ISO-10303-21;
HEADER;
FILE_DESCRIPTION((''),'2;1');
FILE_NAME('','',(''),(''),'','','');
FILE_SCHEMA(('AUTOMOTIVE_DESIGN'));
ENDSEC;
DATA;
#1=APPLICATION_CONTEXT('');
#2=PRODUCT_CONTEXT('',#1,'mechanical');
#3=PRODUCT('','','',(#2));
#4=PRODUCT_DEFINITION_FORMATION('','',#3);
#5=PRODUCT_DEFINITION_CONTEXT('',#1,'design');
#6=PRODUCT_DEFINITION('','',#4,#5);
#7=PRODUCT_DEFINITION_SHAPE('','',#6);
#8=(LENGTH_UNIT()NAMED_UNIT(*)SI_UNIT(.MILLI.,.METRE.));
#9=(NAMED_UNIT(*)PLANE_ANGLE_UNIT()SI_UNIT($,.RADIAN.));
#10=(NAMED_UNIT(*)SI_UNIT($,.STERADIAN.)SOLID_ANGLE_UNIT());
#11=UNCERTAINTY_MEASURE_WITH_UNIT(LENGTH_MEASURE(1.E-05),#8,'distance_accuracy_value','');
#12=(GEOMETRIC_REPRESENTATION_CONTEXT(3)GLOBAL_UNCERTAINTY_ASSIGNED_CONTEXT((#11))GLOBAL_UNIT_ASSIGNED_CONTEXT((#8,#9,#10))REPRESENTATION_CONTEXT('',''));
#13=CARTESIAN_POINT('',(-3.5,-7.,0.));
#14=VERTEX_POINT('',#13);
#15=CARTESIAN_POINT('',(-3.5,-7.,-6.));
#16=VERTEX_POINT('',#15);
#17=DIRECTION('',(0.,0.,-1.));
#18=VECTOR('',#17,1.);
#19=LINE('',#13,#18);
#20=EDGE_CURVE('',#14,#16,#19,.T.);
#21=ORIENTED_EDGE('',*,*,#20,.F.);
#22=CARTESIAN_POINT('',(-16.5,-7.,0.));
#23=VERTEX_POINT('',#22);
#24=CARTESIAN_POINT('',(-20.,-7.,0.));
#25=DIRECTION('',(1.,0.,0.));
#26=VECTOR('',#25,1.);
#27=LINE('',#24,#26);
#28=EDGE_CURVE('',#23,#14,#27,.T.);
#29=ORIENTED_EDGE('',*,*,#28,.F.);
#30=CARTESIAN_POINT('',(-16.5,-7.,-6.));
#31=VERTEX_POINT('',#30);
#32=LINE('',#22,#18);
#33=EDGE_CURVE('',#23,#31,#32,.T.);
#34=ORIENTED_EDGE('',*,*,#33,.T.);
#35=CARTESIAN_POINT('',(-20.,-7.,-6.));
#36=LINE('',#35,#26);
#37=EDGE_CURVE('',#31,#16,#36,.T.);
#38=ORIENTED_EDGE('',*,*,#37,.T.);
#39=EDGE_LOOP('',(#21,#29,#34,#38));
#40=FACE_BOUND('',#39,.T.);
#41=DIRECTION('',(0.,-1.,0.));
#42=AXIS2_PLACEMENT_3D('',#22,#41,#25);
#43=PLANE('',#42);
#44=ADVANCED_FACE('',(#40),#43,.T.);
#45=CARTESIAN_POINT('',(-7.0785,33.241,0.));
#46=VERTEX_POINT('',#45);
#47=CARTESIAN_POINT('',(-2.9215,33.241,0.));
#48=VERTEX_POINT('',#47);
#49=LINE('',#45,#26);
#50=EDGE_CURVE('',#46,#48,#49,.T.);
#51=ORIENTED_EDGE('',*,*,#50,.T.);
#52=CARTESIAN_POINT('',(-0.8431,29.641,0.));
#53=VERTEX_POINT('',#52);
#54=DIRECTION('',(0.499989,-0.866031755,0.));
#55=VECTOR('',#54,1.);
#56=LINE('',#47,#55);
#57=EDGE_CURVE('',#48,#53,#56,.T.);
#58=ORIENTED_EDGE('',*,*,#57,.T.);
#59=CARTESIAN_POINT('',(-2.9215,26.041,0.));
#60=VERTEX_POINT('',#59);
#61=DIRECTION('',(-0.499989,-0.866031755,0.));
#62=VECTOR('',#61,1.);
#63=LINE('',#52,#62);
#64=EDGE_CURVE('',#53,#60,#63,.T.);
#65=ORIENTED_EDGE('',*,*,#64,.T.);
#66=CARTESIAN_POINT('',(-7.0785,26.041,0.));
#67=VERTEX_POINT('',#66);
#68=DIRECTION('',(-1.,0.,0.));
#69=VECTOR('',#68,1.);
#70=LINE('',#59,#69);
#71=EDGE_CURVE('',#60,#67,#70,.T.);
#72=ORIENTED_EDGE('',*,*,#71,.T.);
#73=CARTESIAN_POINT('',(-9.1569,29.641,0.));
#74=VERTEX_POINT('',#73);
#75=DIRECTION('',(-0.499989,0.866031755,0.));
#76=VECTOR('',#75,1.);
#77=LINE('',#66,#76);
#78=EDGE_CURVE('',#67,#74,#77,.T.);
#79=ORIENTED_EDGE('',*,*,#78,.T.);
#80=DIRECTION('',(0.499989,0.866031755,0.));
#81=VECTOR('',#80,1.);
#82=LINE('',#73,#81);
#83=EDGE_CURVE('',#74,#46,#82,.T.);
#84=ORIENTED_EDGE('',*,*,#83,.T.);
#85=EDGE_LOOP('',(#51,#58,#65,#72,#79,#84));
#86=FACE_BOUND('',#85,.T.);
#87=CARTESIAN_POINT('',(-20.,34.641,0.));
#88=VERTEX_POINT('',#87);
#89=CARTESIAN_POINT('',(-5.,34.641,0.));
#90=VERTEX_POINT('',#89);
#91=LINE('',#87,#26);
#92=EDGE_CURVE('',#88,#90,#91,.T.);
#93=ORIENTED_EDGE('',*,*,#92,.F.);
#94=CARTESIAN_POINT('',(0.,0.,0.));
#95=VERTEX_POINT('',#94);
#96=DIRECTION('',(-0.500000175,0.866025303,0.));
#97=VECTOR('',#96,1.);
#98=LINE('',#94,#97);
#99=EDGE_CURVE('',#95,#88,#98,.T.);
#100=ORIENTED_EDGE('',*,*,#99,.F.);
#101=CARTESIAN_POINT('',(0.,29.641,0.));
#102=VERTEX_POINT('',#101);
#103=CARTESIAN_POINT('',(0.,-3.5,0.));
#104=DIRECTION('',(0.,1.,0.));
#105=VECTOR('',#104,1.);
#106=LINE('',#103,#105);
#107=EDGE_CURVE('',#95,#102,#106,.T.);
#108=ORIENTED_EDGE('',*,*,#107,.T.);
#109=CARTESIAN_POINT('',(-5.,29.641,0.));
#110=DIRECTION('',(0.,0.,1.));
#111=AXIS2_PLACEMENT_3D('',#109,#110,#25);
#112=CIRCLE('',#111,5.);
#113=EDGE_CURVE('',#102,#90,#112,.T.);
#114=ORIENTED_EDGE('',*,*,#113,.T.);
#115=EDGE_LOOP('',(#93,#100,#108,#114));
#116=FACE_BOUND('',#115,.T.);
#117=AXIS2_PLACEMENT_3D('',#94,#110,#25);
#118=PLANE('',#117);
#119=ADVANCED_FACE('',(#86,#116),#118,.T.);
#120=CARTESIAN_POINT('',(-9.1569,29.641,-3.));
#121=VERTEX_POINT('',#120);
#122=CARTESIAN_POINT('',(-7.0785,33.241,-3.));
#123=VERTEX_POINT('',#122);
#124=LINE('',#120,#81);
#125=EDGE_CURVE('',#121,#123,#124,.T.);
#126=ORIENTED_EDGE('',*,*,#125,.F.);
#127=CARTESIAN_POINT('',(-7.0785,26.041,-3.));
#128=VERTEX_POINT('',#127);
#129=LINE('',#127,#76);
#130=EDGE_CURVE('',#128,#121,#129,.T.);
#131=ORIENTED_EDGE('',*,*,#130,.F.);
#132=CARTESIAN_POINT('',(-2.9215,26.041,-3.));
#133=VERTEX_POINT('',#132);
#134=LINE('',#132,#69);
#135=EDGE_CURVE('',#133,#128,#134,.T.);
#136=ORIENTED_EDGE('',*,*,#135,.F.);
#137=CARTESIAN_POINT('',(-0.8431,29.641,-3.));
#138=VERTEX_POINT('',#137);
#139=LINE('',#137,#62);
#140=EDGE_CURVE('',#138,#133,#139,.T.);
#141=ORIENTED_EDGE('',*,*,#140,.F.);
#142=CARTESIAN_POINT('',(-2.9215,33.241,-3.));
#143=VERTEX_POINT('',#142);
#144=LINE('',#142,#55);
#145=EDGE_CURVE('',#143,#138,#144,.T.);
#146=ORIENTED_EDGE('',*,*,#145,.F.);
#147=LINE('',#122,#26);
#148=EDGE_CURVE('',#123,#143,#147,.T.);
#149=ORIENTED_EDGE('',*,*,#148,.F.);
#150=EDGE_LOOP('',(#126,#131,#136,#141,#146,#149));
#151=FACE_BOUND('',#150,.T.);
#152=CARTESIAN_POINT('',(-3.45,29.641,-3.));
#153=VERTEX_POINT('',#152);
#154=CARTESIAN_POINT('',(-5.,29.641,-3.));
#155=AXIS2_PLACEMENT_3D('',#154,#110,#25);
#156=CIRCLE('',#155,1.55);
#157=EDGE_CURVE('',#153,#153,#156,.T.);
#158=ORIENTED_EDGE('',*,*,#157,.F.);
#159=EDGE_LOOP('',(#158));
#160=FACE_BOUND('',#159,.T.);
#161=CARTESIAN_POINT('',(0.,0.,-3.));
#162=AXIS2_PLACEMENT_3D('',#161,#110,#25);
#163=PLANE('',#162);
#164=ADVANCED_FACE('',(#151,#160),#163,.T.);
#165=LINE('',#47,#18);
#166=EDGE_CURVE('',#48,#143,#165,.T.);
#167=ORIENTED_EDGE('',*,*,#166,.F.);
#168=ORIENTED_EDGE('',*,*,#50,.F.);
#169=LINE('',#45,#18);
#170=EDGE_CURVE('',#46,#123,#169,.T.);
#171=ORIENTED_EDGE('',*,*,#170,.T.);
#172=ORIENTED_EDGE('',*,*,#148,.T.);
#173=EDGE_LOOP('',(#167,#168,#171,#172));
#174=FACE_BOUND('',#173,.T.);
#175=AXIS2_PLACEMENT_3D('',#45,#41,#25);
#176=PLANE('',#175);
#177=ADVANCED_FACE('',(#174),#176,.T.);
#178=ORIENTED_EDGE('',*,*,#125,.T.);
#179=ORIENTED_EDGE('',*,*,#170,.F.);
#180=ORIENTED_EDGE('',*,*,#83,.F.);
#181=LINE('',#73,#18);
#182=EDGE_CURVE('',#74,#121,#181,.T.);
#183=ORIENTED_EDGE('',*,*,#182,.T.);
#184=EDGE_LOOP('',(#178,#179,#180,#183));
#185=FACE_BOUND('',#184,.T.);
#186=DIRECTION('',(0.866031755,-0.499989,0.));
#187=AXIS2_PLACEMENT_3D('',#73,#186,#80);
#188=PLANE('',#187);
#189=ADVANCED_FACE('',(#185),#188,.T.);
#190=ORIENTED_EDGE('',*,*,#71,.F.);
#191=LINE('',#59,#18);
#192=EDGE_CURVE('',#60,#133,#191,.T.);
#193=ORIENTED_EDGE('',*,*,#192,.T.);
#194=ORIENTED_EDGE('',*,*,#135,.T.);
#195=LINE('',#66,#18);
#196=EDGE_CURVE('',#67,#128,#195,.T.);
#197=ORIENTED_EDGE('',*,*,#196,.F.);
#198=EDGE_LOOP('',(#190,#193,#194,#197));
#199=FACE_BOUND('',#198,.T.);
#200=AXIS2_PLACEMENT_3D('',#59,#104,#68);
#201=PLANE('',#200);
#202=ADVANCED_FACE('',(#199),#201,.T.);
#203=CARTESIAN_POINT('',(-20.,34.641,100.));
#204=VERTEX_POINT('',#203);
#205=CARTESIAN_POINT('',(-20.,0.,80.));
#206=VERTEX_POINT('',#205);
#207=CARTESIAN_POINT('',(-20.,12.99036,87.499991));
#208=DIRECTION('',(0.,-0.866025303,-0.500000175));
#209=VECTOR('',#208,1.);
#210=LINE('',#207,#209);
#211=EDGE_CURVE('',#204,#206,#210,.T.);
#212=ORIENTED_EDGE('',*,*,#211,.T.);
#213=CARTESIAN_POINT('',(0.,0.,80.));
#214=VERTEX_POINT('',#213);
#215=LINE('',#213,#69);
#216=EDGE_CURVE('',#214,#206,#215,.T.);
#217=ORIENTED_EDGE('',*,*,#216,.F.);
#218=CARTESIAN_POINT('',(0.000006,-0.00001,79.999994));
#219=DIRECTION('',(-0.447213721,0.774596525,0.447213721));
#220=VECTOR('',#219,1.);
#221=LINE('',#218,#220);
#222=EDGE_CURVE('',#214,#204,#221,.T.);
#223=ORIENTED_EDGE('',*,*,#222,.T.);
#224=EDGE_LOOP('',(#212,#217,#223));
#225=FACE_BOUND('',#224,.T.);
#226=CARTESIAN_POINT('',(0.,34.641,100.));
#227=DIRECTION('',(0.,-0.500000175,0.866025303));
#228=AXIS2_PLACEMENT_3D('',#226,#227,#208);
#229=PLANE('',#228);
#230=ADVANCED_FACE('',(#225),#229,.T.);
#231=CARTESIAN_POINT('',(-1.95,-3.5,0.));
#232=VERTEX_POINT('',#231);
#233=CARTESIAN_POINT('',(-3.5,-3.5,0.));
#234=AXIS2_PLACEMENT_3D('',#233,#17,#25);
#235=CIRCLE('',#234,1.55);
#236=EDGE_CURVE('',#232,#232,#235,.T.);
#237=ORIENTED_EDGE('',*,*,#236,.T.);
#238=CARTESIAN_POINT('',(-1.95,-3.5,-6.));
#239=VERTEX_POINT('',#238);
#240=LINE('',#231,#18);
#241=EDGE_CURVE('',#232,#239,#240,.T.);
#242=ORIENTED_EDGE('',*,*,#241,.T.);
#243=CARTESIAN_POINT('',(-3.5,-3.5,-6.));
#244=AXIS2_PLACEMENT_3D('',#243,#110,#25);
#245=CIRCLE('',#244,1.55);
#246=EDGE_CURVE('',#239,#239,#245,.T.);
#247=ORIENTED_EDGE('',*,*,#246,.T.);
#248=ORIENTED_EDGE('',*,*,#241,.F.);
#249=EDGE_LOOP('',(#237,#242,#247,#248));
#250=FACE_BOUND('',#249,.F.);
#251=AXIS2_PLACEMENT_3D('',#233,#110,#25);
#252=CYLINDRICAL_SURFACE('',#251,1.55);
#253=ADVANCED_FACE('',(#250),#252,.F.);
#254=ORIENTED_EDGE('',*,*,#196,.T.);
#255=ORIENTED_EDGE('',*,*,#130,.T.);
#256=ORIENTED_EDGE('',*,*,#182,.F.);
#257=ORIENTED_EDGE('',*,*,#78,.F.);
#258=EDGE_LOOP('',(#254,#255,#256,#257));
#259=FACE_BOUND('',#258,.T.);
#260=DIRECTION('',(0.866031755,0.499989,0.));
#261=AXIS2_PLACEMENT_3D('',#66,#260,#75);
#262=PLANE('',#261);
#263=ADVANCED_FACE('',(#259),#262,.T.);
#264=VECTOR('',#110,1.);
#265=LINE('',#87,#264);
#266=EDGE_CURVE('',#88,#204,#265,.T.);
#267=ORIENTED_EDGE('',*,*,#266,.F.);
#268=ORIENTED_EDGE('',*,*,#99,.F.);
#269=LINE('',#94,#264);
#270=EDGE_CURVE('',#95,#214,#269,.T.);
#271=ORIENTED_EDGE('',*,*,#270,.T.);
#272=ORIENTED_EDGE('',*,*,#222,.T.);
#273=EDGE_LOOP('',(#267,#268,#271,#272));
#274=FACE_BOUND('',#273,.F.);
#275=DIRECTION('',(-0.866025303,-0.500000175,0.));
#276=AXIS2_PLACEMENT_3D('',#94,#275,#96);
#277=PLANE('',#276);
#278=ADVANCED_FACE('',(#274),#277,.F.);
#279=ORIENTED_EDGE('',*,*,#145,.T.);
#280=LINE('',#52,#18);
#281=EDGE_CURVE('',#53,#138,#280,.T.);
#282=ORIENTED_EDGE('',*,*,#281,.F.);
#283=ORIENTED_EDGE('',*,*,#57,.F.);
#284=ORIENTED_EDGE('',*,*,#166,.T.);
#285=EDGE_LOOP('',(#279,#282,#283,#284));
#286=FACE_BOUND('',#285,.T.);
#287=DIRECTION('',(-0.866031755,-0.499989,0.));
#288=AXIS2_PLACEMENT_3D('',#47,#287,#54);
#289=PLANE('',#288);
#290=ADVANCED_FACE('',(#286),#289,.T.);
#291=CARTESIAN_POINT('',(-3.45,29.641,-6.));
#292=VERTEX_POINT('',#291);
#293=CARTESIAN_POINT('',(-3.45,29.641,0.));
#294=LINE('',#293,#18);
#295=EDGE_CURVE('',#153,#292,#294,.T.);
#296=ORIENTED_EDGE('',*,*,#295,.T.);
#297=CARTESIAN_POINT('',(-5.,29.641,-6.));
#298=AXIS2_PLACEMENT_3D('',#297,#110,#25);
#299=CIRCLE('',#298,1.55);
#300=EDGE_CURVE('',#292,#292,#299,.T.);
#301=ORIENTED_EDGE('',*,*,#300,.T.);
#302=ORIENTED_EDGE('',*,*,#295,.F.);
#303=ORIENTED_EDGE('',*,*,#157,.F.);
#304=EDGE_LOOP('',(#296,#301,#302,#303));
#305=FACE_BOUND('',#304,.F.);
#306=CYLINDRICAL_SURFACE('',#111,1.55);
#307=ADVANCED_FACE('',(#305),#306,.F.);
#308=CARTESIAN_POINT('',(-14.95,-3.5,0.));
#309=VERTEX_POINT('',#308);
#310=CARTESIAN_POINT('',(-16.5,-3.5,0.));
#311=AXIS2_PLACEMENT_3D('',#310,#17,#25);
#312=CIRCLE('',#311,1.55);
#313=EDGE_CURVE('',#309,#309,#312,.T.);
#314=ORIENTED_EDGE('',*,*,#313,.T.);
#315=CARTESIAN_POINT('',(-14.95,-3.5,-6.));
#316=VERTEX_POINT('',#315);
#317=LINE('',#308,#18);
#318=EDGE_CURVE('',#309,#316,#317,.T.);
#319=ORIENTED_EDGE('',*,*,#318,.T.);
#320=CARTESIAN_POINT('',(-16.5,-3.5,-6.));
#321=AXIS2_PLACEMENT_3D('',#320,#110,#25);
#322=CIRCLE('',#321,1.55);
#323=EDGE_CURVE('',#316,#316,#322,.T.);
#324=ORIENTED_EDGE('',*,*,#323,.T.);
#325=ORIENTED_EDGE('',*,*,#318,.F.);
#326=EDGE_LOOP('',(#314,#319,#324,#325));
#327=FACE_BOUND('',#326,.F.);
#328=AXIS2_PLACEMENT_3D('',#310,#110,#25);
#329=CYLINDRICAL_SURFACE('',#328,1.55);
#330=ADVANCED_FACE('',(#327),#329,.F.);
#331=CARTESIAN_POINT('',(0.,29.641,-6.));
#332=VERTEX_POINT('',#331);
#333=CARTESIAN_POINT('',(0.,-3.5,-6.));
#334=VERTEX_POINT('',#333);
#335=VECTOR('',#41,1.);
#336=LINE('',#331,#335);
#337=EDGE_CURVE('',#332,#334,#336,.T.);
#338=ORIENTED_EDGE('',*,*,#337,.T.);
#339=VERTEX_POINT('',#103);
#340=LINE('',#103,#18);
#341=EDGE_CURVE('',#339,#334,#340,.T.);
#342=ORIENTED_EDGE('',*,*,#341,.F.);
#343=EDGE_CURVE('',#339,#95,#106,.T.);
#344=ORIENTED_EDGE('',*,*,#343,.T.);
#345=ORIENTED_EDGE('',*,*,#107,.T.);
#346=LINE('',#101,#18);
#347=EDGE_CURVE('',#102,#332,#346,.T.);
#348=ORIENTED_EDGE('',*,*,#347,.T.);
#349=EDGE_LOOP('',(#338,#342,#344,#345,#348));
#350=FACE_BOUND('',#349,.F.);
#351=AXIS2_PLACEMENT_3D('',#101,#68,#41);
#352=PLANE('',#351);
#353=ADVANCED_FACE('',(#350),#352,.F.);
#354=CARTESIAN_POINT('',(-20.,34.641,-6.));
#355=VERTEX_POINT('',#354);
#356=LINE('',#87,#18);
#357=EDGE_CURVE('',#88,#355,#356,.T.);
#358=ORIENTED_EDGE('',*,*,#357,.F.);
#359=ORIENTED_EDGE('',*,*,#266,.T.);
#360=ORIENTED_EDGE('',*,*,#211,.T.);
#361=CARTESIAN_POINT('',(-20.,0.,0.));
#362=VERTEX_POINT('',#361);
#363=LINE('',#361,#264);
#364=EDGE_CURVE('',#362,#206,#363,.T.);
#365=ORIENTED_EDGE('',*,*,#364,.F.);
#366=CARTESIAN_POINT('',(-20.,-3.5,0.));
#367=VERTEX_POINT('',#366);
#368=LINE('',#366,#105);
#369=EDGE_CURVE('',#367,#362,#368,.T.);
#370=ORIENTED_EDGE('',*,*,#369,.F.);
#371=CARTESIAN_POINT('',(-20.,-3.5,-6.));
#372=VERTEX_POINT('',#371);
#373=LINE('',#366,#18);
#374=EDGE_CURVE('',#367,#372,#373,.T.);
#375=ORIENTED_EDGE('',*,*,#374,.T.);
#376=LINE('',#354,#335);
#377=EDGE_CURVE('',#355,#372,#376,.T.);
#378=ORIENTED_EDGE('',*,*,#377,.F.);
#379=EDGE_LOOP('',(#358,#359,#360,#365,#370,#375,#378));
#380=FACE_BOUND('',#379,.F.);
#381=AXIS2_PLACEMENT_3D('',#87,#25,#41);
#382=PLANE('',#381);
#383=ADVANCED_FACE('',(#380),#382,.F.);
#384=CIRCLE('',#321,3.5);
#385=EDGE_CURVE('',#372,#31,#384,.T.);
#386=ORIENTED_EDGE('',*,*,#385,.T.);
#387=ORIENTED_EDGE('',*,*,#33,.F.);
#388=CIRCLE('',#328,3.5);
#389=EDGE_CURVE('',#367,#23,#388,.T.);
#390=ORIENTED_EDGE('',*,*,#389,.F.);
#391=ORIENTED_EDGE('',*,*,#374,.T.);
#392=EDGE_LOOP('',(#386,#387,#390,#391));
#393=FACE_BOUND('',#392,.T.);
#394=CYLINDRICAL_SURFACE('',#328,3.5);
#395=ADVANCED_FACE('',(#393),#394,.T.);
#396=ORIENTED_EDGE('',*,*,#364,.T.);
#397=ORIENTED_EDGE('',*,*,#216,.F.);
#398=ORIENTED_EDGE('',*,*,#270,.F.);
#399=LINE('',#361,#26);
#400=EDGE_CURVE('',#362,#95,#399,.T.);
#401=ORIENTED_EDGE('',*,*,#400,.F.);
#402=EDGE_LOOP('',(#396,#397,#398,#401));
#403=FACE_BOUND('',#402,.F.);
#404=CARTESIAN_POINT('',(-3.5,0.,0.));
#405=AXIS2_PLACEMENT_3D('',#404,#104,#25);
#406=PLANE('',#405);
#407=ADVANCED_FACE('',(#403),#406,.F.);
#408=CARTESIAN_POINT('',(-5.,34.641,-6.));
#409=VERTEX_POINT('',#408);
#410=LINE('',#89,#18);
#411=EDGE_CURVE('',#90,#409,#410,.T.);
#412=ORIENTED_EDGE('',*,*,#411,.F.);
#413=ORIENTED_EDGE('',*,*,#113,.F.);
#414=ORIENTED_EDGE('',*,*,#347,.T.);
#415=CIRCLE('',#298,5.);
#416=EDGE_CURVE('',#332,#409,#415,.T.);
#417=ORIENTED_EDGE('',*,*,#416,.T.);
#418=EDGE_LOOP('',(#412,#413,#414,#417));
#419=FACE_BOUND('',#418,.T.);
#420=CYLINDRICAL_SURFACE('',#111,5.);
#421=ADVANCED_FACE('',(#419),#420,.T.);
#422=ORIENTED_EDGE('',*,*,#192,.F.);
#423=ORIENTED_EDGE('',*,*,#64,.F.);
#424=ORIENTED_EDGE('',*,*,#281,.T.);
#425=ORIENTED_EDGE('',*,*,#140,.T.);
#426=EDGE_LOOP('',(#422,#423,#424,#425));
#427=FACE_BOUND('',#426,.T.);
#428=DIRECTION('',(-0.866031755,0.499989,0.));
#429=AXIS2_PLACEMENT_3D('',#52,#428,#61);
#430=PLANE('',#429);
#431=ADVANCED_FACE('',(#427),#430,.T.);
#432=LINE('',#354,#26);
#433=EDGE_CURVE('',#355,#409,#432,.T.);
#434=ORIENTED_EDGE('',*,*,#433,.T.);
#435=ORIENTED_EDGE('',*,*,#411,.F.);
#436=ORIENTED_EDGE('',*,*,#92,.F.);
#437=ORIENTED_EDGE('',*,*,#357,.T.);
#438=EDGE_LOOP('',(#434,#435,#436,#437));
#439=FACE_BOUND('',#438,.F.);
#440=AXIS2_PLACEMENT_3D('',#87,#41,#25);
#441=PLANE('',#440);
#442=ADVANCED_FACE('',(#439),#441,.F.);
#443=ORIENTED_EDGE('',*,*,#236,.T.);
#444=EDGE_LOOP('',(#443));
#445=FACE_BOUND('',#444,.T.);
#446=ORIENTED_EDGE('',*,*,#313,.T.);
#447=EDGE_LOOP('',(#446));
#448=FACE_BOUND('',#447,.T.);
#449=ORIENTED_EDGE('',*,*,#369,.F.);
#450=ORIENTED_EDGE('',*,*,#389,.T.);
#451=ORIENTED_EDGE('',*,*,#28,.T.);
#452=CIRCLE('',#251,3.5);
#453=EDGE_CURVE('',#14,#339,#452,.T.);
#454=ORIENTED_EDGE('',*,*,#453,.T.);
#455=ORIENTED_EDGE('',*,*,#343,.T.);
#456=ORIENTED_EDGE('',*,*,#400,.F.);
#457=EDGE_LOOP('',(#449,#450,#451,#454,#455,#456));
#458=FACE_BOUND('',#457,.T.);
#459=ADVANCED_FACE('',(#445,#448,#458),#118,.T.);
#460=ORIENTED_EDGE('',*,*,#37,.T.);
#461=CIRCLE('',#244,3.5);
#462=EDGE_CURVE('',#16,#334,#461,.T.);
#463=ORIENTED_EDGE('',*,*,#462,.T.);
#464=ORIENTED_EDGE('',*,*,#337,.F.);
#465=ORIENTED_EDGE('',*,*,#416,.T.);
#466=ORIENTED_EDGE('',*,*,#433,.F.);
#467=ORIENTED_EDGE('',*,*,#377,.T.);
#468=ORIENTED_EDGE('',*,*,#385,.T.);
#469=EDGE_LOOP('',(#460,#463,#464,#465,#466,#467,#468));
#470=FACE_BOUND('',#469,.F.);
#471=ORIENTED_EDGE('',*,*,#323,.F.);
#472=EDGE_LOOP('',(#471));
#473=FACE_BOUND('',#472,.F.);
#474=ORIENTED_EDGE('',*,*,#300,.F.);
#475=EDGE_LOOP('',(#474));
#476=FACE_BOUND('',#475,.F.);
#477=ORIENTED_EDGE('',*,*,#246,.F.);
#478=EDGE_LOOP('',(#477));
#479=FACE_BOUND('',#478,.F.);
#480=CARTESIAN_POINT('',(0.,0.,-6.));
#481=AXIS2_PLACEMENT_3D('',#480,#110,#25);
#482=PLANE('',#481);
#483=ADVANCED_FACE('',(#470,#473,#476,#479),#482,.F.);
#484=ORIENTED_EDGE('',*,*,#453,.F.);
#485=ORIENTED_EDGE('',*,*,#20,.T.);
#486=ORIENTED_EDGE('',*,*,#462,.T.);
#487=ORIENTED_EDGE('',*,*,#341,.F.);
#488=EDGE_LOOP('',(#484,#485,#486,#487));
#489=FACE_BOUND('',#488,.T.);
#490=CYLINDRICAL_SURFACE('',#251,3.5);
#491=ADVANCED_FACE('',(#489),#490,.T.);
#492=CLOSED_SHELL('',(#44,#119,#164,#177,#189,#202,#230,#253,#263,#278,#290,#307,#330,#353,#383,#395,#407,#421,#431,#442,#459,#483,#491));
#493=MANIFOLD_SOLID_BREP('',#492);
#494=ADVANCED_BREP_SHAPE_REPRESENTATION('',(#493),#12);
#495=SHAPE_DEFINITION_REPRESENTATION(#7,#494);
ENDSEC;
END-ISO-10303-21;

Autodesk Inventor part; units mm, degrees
ref_plane "YZ Plane" through (0, 0, 0) normal (1, 0, 0) x (0, 1, 0)
ref_plane "XZ Plane" through (0, 0, 0) normal (0, 1, 0) x (-1, 0, 0)
ref_plane "XY Plane" through (0, 0, 0) normal (0, 0, 1) x (1, 0, 0)
sketch "Esquisse1" plane through (0, 0, 0) normal (0, 0, 1) x (1, 0, 0)
  line L0 (0, 0) -> (-20, 34.641)
  line L1 (-20, 34.641) -> (-20, 0)
  line L2 (-20, 0) -> (0, 0)
  line L3 (-20, 34.641) -> (0, 34.641)
  line L4 (0, 34.641) -> (0, 0)
  circle A0 centre (-5, 29.641) radius 5
  circle A1 centre (-5, 29.641) radius 1.55
  line L5 (-7.0785, 26.041) -> (-9.1569, 29.641)
  line L6 (-9.1569, 29.641) -> (-7.0785, 33.241)
  line L7 (-7.0785, 33.241) -> (-2.9215, 33.241)
  line L8 (-2.9215, 33.241) -> (-0.8431, 29.641)
  line L9 (-0.8431, 29.641) -> (-2.9215, 26.041)
  line L10 (-2.9215, 26.041) -> (-7.0785, 26.041)
  line L11 (-20, 0) -> (-20, -7)
  line L12 (-20, -7) -> (0, -7)
  line L13 (0, -7) -> (0, 0)
  line L14 (-20, -3.5) -> (0, -3.5)
  circle A2 centre (-16.5, -3.5) radius 3.5
  circle A3 centre (-3.5, -3.5) radius 3.5
  circle A4 centre (-16.5, -3.5) radius 1.55
  circle A5 centre (-3.5, -3.5) radius 1.55
  point P0 (-16.5, -7)
  point P1 (-3.5, -7)
  point P2 (0, 29.641)
  point P3 (-5, 34.641)
  dimension "d0" = 60
  dimension "d1" = 20
  dimension "d5" = 7
  dimension "d6" = 3.1
  dimension "d7" = 10
  dimension "d8" = 7.2
  dimension "d9" = 3.1
extrude "Extrusion1" add sketch "Esquisse1" along normal blind 100 contours L2 L1 L0
extrude "Extrusion2" add sketch "Esquisse1" against normal blind 6 contours L2 L1 L0 | L13 A3 L2 | L0 L3 A0 L4 | A3 L14 A2 L2 | A3 L14 A5 | A0 | A3 L14 A5 | L2 A2 L11 | A2 L14 A4 | A3 L12 A2 L14 | L14 A4 A2 | L5 L6 L7 L8 L9 L10
extrude "Extrusion3" cut sketch "Esquisse1" against normal blind 3 contours L5 L6 L7 L8 L9 L10
sketch "Esquisse2" plane through (0, 0, 0) normal (1, 0, 0) x (0, 0, -1)
  line L0 (-100, 34.641) -> (-100, 0) projected
  line L1 (-100, 34.641) -> (-80, 0)
  line L2 (0, 0) -> (-100, 0) projected
  line L3 (-80, 0) -> (-100, 0)
  line L4 (-100, 0) -> (-100, 34.641)
  dimension "d16" = 30
extrude "Extrusion4" cut sketch "Esquisse2" against normal through all
properties part number "Doigt droit"
